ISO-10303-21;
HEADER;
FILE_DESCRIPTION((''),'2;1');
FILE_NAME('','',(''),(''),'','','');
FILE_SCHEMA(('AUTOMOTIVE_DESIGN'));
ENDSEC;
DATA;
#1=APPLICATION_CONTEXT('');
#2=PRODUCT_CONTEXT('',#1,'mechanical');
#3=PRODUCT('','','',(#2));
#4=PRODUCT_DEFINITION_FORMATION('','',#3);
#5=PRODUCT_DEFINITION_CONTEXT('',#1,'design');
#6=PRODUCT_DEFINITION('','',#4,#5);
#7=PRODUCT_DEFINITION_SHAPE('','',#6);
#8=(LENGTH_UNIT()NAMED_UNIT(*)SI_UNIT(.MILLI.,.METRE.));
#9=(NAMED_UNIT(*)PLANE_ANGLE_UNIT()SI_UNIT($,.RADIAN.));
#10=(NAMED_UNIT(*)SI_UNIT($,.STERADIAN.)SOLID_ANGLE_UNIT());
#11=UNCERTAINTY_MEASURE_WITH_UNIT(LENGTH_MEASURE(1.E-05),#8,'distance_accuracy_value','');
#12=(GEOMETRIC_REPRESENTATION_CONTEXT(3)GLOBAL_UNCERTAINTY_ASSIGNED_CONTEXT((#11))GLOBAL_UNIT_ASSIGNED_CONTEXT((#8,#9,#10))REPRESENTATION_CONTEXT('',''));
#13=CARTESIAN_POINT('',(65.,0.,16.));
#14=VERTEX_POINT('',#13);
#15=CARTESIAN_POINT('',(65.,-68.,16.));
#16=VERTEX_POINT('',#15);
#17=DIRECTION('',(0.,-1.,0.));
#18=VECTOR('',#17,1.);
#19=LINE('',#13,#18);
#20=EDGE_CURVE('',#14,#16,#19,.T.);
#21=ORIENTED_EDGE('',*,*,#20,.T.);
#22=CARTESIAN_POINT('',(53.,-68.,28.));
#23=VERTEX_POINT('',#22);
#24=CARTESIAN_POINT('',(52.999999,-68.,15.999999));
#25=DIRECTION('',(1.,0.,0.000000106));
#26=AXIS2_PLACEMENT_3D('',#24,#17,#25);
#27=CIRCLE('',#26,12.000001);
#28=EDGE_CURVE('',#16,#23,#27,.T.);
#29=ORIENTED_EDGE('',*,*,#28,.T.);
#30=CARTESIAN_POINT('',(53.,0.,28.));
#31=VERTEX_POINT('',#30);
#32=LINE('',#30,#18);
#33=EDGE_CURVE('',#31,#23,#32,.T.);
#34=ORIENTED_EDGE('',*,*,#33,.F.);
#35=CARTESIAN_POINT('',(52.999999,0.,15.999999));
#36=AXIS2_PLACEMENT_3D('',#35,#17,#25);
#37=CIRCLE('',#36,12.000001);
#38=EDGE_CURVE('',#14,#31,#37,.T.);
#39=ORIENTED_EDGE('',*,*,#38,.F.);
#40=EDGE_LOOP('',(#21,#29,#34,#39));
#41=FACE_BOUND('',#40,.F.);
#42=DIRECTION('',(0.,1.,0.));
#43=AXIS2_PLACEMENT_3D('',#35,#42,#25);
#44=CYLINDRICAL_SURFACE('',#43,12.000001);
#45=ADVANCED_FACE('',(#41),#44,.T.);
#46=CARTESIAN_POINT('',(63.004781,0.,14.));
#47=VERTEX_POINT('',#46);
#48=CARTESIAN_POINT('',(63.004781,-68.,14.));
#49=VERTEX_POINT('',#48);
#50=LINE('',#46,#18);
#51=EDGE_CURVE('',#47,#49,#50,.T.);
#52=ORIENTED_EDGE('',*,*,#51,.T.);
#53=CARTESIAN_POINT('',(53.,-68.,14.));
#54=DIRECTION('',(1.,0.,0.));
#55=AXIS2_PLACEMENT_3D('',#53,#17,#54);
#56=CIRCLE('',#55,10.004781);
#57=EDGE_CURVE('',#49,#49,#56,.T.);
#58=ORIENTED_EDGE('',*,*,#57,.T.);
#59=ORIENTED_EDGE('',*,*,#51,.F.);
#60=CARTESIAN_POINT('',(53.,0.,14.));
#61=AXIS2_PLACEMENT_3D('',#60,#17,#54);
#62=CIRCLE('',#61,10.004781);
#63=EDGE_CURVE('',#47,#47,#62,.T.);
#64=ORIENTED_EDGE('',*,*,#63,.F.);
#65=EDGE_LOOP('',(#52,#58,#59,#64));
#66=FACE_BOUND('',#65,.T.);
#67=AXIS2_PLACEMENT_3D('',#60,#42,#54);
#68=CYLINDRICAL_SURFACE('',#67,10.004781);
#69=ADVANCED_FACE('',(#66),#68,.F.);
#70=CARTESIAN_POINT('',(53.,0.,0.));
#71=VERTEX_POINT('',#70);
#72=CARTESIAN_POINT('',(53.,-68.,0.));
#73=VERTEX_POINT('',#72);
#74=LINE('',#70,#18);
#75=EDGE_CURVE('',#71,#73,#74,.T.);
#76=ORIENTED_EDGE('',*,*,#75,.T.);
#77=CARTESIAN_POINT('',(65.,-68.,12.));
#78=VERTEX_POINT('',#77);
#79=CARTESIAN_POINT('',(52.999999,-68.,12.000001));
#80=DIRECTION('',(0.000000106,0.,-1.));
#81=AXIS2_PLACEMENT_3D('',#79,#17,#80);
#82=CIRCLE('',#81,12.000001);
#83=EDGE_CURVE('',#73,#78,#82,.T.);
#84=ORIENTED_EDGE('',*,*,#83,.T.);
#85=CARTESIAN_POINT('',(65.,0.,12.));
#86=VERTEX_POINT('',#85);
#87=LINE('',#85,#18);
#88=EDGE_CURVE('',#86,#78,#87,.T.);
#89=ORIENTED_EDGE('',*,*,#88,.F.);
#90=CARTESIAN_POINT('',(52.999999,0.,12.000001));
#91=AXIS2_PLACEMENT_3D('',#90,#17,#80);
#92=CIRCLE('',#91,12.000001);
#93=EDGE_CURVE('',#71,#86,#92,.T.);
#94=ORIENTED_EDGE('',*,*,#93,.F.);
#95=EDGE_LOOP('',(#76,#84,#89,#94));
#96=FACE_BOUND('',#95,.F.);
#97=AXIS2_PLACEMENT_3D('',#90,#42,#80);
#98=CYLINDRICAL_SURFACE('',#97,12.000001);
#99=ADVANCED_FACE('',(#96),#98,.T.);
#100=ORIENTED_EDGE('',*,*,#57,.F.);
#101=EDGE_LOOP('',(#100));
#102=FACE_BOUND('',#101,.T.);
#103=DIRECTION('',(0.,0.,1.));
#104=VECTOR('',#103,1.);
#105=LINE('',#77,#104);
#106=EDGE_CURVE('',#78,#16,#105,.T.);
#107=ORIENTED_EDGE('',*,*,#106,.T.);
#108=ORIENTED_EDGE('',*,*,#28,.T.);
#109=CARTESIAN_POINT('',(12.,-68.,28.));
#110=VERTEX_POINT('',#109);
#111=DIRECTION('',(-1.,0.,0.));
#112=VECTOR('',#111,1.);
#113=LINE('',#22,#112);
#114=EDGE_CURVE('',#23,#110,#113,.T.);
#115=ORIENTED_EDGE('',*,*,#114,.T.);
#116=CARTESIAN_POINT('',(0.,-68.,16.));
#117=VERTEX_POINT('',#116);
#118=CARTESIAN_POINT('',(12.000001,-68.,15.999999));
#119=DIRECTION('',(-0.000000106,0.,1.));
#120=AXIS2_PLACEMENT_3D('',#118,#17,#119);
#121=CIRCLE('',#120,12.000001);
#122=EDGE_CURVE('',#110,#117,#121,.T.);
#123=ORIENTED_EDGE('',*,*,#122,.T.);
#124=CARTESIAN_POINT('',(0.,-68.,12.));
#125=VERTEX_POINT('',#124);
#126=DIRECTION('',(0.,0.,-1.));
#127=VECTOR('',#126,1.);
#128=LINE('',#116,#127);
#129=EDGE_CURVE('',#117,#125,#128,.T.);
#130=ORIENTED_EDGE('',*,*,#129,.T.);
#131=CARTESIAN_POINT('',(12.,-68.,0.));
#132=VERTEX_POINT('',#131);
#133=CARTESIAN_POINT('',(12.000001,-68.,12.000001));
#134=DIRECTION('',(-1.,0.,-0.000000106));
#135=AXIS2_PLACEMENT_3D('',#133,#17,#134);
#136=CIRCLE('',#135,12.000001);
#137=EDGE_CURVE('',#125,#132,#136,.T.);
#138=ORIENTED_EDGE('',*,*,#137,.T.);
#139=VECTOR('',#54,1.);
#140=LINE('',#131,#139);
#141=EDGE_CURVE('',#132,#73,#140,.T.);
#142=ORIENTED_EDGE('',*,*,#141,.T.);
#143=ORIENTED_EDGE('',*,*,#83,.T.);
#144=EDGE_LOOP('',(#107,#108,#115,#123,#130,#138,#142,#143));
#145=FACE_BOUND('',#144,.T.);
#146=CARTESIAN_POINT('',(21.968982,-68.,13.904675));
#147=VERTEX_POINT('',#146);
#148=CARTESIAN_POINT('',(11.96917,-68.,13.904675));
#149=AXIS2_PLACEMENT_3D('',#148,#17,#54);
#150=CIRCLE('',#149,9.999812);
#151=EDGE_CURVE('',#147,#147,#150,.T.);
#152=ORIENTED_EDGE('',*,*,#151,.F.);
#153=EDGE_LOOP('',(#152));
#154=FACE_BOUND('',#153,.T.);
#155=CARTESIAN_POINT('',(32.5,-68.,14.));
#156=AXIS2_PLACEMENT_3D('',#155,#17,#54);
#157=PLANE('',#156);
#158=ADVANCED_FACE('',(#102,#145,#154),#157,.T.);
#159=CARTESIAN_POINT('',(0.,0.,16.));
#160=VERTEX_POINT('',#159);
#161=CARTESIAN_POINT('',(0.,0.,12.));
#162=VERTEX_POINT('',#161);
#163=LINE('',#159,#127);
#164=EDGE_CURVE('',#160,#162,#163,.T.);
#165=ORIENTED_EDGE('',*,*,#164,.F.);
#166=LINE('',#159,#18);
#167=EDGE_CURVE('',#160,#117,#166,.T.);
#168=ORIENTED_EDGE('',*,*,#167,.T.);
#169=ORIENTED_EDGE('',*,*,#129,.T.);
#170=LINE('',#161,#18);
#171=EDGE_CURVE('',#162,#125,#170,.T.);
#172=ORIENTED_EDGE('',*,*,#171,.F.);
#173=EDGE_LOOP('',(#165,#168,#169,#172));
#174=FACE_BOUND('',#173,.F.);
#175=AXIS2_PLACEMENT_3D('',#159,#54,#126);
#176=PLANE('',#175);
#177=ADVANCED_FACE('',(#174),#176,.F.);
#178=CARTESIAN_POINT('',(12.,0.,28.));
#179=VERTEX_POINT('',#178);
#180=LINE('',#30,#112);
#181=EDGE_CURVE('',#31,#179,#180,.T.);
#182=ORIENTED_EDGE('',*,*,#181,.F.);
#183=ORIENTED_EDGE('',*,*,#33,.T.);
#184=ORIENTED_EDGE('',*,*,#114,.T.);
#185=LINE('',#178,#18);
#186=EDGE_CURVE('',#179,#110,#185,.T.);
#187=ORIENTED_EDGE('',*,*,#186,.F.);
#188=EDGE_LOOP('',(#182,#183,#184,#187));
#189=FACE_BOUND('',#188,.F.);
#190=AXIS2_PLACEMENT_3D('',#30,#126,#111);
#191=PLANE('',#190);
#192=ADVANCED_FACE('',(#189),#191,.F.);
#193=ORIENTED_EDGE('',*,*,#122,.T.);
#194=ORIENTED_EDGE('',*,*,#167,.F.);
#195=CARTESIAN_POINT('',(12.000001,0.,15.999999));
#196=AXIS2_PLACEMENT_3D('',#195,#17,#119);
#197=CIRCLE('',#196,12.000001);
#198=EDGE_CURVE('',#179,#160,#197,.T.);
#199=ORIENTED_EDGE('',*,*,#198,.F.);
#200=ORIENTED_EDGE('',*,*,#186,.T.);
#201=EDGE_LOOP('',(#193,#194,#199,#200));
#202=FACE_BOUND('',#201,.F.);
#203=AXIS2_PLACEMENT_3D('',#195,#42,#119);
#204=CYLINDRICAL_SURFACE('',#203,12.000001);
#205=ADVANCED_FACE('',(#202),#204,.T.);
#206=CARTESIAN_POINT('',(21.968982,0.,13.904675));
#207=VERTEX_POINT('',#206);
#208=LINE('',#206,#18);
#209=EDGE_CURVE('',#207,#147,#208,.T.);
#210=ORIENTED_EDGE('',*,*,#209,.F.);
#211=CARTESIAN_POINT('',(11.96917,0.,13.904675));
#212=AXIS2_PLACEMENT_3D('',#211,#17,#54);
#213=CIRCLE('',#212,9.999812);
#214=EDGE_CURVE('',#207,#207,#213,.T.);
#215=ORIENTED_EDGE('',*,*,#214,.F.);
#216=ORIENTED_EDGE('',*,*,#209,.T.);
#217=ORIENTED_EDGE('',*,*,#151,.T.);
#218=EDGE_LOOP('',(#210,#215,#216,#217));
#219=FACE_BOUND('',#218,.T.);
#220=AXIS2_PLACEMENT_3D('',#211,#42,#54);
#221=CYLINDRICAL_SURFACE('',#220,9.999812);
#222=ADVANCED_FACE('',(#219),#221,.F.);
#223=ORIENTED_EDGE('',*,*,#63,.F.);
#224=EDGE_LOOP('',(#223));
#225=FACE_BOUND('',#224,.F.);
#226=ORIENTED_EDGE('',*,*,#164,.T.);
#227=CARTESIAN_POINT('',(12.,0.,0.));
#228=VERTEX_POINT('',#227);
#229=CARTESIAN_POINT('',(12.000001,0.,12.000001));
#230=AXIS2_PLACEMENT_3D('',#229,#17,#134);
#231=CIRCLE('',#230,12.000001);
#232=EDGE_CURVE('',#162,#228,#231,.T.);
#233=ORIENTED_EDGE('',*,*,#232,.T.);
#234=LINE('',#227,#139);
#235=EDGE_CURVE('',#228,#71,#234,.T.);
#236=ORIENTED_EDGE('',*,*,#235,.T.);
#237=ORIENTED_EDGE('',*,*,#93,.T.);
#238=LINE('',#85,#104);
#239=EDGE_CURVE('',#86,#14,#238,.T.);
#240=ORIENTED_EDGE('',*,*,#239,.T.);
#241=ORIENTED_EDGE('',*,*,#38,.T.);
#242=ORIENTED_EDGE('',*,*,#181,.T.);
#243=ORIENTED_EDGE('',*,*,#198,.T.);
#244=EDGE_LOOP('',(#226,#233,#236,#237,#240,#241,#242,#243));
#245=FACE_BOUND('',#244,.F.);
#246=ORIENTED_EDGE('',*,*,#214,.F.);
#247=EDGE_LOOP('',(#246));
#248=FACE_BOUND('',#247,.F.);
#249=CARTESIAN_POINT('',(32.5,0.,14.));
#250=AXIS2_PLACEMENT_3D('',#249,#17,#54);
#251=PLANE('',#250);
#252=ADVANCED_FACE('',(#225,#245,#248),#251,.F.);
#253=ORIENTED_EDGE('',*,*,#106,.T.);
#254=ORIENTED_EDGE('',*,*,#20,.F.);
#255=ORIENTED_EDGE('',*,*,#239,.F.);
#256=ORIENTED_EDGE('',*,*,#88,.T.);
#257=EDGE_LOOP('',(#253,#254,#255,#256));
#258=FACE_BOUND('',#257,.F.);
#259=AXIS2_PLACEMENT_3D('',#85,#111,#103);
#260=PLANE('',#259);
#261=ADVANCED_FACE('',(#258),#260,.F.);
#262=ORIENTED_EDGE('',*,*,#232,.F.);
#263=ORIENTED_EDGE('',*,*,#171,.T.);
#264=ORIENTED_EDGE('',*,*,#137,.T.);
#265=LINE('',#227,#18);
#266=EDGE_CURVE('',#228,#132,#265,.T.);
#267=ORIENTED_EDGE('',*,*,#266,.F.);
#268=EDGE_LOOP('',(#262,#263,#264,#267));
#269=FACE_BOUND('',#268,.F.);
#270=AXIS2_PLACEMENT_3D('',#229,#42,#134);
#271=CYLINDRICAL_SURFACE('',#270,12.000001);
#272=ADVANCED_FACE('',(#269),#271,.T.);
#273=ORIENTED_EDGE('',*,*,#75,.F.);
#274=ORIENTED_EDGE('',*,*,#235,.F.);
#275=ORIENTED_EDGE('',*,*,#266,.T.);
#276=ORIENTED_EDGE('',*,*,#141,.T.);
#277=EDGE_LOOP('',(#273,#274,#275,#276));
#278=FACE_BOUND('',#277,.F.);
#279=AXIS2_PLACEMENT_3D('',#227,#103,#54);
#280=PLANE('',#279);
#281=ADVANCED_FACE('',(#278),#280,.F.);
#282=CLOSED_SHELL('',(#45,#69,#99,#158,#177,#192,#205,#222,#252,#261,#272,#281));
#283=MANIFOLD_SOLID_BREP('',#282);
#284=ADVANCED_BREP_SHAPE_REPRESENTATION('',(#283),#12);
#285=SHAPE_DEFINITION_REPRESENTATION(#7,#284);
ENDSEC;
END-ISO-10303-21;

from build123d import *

# Parameters (mm, degrees)
F0_R     = 9.999812
F0_R_2   = 10.004781
F1_DEPTH = 68


with BuildPart() as f1:
    # F0 (on Front) → F1 (new body)
    with BuildSketch(Plane.XZ):
        with BuildLine():
            ThreePointArc((0, 12), (3.514719, 3.514719), (12, 0))
            Line((12, 0), (53, 0))
            ThreePointArc((53, 0), (61.485281, 3.514719), (65, 12))
            Line((65, 12), (65, 16))
            ThreePointArc((65, 16), (61.485281, 24.485281), (53, 28))
            Line((53, 28), (12, 28))
            ThreePointArc((12, 28), (3.514719, 24.485281), (0, 16))
            Line((0, 16), (0, 12))
        make_face()
        with Locations((11.96917, 13.904675)):
            Circle(F0_R, mode=Mode.SUBTRACT)
        with Locations((53, 14)):
            Circle(F0_R_2, mode=Mode.SUBTRACT)
    extrude(amount=F1_DEPTH)


solid = f1.part
